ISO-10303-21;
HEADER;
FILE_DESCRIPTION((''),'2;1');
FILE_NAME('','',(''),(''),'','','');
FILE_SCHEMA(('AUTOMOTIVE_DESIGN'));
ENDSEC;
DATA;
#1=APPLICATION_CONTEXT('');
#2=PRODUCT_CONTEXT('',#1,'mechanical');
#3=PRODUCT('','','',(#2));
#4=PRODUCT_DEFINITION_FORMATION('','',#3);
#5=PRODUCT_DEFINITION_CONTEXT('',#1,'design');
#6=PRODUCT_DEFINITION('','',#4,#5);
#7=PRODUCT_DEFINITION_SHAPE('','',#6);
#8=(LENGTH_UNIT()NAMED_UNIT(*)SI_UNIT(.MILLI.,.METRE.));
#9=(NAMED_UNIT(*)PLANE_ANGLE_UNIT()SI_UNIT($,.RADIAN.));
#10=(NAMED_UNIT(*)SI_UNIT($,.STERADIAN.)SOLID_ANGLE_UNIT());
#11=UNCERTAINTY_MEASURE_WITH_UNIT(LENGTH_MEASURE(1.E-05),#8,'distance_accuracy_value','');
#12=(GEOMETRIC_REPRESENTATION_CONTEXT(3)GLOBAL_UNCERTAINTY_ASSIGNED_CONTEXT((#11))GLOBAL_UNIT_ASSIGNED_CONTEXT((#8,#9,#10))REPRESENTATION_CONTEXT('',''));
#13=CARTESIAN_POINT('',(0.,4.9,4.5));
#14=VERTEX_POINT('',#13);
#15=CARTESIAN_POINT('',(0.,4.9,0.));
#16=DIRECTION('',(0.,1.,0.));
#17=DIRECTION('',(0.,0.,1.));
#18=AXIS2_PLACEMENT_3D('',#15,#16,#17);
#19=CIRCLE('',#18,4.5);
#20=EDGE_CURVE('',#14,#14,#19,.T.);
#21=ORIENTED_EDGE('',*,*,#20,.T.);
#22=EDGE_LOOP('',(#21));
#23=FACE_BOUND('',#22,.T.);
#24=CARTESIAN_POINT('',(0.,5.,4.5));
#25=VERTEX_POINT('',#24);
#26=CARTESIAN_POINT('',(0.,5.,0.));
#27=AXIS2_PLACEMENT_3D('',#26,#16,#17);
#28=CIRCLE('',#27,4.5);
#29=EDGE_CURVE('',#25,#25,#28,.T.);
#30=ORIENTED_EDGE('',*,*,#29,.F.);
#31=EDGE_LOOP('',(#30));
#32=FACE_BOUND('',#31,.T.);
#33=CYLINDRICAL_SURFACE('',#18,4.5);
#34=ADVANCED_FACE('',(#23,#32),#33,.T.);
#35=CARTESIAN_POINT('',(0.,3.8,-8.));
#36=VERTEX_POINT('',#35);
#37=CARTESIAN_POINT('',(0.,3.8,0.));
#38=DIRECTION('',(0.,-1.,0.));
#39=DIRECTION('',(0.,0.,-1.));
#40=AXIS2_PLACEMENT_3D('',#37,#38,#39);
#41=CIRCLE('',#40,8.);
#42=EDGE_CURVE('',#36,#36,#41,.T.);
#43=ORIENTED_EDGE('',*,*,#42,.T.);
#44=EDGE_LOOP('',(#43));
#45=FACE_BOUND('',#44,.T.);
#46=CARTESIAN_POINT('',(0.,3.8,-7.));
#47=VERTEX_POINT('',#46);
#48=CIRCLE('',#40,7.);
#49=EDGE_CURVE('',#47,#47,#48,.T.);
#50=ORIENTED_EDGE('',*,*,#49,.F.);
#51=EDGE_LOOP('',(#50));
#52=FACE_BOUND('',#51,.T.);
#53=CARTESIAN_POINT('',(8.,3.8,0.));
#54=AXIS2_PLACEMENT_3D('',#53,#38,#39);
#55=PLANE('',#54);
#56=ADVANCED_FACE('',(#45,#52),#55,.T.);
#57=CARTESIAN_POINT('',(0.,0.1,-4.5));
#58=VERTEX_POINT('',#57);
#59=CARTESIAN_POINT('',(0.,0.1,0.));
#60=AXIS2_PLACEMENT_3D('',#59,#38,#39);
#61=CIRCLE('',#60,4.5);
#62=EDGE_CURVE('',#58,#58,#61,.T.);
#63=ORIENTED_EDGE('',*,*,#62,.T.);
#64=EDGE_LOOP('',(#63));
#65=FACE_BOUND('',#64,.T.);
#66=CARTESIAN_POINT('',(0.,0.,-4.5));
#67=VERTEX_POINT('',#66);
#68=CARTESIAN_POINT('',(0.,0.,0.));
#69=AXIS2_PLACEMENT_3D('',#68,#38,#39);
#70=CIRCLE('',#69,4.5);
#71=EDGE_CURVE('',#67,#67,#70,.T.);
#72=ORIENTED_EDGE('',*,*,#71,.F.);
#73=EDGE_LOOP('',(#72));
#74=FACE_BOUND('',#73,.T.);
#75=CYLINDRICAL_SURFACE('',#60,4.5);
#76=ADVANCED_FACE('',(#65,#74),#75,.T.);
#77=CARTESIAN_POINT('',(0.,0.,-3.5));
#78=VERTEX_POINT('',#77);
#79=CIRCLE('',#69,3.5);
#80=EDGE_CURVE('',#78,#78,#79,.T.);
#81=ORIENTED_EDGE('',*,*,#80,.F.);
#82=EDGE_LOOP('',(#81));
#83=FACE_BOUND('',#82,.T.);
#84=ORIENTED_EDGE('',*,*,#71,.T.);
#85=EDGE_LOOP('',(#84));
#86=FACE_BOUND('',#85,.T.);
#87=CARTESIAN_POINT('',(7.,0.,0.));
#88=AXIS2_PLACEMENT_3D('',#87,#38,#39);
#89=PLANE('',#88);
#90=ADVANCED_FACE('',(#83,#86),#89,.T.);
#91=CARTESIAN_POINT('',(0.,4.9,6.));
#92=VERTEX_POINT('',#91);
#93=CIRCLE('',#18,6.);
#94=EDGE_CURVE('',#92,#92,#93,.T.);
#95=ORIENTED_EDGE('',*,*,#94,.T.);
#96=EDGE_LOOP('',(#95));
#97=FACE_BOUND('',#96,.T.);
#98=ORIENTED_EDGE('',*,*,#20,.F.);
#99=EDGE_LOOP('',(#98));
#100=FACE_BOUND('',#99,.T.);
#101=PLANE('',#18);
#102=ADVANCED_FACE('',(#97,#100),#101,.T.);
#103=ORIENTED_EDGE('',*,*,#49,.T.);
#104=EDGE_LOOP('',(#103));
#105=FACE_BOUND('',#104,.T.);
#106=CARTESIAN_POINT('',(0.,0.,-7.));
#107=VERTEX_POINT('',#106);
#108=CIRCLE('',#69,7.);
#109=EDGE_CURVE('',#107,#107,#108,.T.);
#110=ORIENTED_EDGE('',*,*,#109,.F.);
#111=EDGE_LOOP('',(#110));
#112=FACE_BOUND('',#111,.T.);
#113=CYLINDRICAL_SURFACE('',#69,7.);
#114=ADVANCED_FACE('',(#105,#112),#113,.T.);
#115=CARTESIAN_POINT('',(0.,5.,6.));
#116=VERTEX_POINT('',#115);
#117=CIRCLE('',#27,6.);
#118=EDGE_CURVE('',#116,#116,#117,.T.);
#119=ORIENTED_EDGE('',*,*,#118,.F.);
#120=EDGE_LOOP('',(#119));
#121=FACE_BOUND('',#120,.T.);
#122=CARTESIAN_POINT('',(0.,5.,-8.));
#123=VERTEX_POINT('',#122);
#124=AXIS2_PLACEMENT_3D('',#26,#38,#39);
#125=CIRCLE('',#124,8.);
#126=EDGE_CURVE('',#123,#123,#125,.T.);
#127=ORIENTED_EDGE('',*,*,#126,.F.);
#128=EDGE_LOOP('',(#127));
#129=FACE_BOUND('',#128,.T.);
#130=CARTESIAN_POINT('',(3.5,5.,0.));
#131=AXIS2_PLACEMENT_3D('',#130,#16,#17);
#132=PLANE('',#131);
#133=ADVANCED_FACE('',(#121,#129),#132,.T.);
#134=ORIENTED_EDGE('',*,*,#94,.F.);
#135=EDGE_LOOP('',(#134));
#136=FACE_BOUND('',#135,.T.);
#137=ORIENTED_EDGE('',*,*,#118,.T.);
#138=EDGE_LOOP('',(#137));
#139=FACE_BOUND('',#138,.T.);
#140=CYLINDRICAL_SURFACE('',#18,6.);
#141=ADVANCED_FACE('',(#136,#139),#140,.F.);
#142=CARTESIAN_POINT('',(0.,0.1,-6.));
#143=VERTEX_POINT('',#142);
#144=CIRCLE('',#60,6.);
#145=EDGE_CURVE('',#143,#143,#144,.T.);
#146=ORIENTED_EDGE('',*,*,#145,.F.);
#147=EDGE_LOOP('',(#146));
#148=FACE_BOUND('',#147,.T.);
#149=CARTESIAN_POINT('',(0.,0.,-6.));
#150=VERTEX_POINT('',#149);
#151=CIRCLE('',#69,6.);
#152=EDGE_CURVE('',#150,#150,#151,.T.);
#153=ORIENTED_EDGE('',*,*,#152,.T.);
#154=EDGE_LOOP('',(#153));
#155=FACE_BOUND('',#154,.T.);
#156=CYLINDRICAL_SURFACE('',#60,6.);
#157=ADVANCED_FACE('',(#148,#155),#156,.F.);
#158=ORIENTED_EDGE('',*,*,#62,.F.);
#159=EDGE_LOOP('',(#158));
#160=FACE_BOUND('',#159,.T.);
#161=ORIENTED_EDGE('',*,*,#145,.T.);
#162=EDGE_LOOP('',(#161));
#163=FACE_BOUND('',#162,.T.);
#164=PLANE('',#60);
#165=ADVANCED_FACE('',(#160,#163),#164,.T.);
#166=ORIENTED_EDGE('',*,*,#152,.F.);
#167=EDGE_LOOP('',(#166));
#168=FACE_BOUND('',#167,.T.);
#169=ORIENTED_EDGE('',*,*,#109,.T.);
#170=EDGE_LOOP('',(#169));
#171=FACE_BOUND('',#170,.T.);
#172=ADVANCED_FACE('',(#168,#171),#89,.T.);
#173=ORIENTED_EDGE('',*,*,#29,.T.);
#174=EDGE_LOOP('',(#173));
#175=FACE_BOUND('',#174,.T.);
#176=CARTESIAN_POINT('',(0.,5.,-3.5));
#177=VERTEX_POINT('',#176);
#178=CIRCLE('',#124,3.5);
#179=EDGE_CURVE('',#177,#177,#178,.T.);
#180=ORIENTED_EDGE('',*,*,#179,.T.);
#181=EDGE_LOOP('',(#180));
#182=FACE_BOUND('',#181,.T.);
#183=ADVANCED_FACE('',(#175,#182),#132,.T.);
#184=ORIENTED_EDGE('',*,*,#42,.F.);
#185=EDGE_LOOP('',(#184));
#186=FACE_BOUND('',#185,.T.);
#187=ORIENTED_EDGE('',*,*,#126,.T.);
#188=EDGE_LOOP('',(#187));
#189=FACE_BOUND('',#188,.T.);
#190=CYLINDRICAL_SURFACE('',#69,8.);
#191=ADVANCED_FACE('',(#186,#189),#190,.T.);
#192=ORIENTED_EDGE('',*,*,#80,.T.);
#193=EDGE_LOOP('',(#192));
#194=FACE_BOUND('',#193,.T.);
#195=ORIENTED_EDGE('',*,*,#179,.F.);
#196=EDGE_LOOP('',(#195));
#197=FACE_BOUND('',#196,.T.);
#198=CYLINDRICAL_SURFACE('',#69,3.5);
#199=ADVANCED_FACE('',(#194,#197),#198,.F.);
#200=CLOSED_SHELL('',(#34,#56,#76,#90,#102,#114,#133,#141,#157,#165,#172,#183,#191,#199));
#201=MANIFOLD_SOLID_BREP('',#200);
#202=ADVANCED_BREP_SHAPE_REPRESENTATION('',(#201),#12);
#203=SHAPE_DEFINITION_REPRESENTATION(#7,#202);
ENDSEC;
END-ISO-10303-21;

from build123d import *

# Parameters (mm, degrees)
SKETCH_2_R          = 6
SKETCH_2_R_2        = 4.5
CUT_EXTRUDE_1_DEPTH = 0.1
SKETCH_3_R          = 6
SKETCH_3_R_2        = 4.5
CUT_EXTRUDE_2_DEPTH = 0.1


with BuildPart() as part:
    # 草图1 → 旋转1 (revolve)
    with BuildSketch(Plane.XY, mode=Mode.PRIVATE) as revolve_1_sk:
        Polygon((3.5, 0), (3.5, 5), (8, 5), (8, 3.8), (7, 3.8), (7, 0), align=None)
    revolve(revolve_1_sk.sketch.rotate(Axis((0, 0, 0), (0, 1, 0)), 90), axis=Axis((0, 0, 0), (0, 1, 0)))

    # 草图2 → 切除-拉伸1 (cut, symmetric)
    with BuildSketch(Plane.XZ):
        with Locations(Location((0, 0, 0), (0, 0, 270))):
            Circle(SKETCH_2_R)
        with Locations(Location((0, 0, 0), (0, 0, 270))):
            Circle(SKETCH_2_R_2, mode=Mode.SUBTRACT)
    extrude(amount=CUT_EXTRUDE_1_DEPTH, both=True, mode=Mode.SUBTRACT)

    # 草图3 → 切除-拉伸2 (cut, symmetric)
    with BuildSketch(Plane(origin=(0, 5, 0), x_dir=(1, 0, 0), z_dir=(0, 1, 0))):
        with Locations(Location((0, 0, 0), (0, 0, 90))):
            Circle(SKETCH_3_R)
        with Locations(Location((0, 0, 0), (0, 0, 90))):
            Circle(SKETCH_3_R_2, mode=Mode.SUBTRACT)
    extrude(amount=CUT_EXTRUDE_2_DEPTH, both=True, mode=Mode.SUBTRACT)


solid = part.part
